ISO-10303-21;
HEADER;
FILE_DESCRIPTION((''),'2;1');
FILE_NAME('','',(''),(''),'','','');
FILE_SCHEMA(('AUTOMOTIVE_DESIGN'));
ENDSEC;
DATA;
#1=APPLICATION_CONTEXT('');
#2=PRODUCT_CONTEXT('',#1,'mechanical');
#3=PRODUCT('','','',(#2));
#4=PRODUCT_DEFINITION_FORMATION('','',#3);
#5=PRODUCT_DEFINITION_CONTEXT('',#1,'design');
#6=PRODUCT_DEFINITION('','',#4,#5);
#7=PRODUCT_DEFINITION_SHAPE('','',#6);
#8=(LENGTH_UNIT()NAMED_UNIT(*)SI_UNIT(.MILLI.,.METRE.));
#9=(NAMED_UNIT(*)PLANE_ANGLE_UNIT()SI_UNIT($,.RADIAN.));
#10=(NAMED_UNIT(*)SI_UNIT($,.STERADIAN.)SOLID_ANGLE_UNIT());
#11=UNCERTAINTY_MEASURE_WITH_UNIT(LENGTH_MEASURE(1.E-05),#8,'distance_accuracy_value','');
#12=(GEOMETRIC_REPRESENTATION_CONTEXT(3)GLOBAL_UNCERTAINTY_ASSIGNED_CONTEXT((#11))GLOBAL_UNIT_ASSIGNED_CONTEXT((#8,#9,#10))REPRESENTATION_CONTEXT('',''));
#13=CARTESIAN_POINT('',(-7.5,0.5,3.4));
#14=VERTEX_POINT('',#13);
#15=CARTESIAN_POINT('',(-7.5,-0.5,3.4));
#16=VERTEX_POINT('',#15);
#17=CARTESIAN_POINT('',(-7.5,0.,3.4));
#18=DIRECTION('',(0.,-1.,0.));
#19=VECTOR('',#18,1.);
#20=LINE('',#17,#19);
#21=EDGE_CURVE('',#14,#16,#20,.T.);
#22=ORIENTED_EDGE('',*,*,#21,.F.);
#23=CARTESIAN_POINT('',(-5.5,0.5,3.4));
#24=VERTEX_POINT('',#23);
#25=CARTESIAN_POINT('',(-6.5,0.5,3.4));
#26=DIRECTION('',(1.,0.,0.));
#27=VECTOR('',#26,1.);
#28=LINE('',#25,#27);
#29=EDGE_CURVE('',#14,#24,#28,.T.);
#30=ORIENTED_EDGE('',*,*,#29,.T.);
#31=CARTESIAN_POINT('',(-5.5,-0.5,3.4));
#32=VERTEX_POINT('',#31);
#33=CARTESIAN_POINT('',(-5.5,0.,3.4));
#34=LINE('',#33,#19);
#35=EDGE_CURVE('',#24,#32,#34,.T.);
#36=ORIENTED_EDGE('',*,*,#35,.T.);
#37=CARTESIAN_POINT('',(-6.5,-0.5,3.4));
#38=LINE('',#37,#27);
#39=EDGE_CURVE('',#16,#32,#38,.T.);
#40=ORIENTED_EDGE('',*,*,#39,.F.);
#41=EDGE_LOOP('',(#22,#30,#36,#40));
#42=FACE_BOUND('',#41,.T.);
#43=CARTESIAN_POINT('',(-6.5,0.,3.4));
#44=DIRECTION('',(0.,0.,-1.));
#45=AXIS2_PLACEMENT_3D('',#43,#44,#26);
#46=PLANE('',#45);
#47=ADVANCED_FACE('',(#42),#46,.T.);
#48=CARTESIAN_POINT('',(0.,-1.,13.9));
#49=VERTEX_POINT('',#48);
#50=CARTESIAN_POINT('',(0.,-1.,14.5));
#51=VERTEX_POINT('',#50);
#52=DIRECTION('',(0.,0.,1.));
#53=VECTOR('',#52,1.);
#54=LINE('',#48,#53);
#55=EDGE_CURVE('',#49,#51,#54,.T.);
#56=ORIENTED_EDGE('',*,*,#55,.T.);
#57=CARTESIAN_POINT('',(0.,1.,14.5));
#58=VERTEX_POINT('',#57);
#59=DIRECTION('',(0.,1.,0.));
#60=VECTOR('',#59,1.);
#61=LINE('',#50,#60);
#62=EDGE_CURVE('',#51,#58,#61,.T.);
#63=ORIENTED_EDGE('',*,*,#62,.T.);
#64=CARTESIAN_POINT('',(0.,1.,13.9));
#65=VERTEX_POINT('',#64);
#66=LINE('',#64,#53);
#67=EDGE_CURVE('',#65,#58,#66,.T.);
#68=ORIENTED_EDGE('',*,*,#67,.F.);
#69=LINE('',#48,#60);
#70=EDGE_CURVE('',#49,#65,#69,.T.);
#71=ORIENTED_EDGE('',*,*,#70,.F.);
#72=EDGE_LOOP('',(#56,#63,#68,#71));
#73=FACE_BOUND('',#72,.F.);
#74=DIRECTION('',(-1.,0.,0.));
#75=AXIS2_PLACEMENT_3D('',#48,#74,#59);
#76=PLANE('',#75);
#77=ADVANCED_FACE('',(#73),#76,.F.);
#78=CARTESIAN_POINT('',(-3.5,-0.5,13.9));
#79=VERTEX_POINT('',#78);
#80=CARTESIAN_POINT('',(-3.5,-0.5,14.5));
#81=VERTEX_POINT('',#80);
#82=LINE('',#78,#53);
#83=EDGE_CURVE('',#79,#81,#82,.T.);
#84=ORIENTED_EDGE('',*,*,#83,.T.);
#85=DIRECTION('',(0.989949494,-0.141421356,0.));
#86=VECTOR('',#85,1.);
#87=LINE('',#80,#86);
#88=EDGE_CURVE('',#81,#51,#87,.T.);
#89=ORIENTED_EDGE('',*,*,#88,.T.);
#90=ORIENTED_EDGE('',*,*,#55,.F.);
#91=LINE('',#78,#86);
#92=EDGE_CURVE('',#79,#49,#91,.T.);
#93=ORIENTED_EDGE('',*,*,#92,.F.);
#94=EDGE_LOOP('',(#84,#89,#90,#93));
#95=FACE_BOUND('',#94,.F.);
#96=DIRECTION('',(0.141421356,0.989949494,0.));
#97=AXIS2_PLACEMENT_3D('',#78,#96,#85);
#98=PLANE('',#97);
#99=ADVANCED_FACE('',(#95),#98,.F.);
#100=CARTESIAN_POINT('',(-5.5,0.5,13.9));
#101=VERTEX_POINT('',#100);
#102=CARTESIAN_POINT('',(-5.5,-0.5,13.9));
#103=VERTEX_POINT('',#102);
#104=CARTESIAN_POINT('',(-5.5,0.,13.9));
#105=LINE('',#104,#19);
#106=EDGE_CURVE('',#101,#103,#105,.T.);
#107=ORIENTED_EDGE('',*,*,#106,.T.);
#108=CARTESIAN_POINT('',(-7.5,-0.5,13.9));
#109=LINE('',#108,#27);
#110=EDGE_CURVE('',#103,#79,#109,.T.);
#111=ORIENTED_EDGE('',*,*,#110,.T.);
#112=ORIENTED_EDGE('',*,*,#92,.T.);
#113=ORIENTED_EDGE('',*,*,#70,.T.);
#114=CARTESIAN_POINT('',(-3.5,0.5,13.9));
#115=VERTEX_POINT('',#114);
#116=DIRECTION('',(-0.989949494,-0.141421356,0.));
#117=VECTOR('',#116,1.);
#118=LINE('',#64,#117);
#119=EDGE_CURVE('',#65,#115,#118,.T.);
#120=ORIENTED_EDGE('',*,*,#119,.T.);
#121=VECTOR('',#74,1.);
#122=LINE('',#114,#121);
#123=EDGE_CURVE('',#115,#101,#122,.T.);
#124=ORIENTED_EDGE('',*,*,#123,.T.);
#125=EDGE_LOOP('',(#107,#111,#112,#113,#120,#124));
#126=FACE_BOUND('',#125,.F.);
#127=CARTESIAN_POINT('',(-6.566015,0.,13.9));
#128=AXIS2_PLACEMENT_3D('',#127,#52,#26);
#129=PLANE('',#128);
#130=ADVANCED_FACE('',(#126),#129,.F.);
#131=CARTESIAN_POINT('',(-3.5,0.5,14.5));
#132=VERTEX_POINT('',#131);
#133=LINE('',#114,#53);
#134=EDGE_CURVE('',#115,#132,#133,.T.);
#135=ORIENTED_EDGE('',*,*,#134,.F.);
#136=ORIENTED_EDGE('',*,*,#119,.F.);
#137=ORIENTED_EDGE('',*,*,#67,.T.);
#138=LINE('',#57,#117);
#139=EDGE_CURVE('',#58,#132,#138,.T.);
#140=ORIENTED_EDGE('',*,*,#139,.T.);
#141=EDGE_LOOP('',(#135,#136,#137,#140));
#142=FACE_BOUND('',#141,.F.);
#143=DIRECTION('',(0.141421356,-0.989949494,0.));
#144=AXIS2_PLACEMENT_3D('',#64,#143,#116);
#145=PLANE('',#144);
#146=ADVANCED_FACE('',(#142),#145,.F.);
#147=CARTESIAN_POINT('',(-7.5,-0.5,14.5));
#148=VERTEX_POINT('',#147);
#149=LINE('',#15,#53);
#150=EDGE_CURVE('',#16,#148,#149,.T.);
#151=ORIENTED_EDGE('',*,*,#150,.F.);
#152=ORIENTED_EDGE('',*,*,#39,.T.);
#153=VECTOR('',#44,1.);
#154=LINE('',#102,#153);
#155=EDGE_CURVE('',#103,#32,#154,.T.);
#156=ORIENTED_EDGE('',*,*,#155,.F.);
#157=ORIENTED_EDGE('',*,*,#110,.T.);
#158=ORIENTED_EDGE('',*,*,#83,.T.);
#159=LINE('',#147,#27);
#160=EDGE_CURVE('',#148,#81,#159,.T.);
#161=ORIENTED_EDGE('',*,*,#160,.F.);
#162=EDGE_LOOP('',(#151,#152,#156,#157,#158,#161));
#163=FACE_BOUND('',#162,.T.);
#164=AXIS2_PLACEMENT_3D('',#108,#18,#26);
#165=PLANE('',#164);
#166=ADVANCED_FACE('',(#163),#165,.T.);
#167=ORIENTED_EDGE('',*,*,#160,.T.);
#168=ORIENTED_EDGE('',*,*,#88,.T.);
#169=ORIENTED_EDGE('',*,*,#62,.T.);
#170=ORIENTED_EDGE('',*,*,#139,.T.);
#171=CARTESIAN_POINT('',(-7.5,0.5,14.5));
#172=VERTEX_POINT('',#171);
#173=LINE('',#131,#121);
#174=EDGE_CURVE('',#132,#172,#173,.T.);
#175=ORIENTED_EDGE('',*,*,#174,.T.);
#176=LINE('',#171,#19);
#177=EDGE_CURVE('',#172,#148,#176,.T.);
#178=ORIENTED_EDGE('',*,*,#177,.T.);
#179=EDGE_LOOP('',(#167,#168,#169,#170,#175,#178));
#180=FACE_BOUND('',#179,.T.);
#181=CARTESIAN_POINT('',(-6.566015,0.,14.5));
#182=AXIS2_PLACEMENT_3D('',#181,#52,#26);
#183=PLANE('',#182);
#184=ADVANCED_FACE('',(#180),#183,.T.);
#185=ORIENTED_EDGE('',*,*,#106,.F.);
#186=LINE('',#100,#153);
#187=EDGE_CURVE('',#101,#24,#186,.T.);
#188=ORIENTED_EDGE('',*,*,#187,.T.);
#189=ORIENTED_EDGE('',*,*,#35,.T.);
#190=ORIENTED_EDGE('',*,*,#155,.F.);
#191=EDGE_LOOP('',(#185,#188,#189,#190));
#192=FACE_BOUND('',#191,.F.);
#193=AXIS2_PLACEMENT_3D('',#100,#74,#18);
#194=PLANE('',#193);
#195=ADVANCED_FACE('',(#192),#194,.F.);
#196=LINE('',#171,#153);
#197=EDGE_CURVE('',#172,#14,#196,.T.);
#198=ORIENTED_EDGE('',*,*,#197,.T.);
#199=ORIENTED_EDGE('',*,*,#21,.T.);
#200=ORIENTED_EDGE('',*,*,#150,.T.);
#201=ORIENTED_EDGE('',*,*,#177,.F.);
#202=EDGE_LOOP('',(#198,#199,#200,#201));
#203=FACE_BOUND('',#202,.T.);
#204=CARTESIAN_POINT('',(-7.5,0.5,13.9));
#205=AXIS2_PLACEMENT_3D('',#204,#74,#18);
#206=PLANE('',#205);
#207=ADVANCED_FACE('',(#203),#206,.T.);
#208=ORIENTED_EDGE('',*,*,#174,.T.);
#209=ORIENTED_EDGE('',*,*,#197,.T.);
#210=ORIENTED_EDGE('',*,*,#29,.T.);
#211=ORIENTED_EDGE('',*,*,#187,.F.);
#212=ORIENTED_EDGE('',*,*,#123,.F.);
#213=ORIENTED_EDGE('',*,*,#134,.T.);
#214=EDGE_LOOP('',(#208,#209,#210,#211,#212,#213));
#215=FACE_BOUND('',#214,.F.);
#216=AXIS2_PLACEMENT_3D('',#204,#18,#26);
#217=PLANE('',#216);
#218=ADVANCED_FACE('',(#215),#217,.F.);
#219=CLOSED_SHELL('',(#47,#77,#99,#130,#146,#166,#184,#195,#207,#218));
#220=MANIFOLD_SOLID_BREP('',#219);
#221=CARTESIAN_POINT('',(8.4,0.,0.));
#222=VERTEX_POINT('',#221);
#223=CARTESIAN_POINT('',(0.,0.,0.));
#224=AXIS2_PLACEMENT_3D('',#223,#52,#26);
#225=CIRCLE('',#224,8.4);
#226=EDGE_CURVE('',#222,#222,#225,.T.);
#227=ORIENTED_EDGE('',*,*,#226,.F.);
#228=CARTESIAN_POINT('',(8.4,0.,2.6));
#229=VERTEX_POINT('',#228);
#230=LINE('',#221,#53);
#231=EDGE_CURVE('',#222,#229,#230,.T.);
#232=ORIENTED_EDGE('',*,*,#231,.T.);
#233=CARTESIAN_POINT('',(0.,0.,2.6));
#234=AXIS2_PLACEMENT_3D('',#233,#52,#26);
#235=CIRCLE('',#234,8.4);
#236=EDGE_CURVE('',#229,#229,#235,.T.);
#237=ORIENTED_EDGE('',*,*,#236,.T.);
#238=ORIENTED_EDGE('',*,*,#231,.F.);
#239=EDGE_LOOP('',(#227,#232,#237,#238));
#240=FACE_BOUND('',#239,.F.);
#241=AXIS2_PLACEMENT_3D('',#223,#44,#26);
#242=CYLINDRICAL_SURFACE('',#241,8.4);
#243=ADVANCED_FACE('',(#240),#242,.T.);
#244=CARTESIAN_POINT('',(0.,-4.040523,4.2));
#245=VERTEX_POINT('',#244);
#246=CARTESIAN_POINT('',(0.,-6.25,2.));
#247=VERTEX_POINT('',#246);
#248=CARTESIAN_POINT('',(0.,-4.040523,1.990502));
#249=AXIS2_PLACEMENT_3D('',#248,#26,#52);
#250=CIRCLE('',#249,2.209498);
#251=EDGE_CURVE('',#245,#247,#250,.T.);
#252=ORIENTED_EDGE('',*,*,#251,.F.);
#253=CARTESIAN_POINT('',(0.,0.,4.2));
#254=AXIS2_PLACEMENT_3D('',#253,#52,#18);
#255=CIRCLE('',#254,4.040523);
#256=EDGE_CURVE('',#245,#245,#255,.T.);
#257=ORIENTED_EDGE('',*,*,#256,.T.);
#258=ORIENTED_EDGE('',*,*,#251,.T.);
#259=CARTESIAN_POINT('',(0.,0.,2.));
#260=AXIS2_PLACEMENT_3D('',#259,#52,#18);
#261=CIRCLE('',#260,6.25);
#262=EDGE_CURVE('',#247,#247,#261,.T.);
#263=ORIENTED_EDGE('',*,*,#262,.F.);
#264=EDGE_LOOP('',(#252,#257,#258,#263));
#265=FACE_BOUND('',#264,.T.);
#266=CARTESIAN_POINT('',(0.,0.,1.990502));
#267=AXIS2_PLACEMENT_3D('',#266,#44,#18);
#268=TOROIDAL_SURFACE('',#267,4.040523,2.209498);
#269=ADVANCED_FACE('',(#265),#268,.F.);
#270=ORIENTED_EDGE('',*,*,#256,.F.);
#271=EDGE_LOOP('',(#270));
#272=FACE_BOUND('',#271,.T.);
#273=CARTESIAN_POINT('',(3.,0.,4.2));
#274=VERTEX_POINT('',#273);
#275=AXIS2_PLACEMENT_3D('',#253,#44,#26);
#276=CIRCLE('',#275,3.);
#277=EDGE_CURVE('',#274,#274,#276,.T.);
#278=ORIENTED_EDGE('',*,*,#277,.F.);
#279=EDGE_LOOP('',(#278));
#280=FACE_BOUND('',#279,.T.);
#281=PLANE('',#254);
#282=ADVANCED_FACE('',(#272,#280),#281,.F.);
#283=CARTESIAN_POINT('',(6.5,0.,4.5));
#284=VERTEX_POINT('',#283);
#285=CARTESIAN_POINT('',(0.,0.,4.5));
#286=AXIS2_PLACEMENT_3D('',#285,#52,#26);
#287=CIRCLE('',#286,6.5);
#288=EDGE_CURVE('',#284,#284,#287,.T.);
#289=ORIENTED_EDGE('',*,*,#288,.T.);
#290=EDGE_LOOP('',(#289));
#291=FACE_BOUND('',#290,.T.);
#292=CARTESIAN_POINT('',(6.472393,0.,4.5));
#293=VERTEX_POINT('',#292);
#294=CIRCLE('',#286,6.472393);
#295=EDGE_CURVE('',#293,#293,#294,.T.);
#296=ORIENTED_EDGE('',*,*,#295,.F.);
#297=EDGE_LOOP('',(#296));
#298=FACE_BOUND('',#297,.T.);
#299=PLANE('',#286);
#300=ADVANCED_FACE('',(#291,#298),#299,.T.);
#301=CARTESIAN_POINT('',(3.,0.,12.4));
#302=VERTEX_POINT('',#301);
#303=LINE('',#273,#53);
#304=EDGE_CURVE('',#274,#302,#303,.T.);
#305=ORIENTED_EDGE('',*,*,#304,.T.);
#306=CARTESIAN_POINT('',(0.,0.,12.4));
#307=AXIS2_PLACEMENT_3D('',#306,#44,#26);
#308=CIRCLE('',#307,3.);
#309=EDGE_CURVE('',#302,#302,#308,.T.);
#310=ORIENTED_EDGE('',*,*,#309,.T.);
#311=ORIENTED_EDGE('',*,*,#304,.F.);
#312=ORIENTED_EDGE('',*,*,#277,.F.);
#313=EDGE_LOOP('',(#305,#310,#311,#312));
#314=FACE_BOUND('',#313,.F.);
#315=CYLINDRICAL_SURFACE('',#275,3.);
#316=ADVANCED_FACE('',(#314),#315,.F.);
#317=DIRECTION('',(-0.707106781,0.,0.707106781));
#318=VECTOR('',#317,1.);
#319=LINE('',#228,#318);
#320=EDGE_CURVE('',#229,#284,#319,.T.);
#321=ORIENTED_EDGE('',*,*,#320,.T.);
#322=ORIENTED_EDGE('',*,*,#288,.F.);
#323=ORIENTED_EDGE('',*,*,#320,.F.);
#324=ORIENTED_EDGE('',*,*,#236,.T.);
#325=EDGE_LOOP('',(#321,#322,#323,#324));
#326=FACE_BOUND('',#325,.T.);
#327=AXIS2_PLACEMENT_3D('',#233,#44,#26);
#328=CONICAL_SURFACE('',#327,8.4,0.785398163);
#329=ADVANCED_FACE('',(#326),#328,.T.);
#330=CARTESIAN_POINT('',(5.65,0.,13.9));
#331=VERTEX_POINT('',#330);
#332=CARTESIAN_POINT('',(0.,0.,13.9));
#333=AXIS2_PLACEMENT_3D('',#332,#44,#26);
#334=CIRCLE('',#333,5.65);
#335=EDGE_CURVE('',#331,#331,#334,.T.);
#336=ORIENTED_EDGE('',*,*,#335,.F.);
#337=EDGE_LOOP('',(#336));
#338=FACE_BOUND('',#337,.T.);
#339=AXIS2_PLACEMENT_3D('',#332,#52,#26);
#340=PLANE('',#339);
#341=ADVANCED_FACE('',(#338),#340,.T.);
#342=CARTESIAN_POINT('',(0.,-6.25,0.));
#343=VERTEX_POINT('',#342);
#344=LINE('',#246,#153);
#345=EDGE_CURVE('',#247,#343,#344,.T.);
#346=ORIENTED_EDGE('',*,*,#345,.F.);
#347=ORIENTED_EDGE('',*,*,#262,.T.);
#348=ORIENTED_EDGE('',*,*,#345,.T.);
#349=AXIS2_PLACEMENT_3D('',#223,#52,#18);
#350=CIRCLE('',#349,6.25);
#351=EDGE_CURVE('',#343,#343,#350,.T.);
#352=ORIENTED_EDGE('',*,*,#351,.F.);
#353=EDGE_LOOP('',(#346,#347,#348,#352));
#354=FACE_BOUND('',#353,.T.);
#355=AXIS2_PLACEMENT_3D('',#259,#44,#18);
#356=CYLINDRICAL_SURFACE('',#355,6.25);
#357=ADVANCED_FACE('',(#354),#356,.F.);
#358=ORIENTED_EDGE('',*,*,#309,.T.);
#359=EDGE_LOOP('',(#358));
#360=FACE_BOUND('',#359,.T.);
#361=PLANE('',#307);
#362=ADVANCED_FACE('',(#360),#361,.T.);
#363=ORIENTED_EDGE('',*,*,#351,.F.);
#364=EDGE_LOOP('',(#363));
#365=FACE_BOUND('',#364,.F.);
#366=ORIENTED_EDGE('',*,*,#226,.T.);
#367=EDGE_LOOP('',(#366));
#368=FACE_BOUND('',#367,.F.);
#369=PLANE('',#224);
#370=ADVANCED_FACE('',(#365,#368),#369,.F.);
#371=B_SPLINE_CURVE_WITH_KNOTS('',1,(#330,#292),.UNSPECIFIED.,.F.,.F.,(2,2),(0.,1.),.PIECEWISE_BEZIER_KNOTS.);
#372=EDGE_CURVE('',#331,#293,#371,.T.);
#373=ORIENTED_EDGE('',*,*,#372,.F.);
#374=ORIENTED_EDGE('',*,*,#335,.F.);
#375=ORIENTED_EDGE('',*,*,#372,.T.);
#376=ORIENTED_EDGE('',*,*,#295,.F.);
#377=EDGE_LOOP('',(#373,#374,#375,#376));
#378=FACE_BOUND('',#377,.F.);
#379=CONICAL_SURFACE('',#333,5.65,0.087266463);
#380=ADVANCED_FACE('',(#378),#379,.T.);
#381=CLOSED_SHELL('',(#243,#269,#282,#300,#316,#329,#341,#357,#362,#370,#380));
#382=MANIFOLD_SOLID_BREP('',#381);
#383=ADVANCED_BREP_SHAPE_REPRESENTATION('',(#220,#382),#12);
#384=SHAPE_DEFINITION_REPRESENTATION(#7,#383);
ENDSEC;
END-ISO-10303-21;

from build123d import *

# Parameters (mm, degrees)
F0_R      = 8.4
F1_DEPTH  = 4.5
F3_R      = 5.65
F4_DEPTH  = 9.4
F4_TAPER  = -5
F5_SIZE   = 1.9
F7_DEPTH  = 0.6
F8_W      = 2
F8_H      = 1
F9_DEPTH  = 10.5
F12_R     = 3
F13_DEPTH = 8.2


with BuildPart() as f1:
    # F0 (on Top) → F1 (new body)
    with BuildSketch(Plane.XY):
        Circle(F0_R)
    extrude(amount=F1_DEPTH)

    # F3 (on offset) → F4 (join, through all)
    with BuildSketch(Plane.XY.offset(13.9)):
        Circle(F3_R)
    extrude(amount=-F4_DEPTH, taper=F4_TAPER)

    # F5
    f5_edges = [f1.edges().sort_by_distance(p)[0] for p in [
        (-8.4, 0, 4.5),
    ]]
    chamfer(f5_edges, length=F5_SIZE)

    # F10 (on Right) → F11 (revolve, cut)
    with BuildSketch(Plane.YZ):
        with BuildLine():
            Line((-6.25, 2), (-6.25, 0))
            Line((-6.25, 0), (0, 0))
            Line((0, 0), (0, 4.2))
            Line((0, 4.2), (-4.0405227408, 4.2))
            ThreePointArc((-4.0405227408, 4.2), (-5.5995119774, 3.5562074482), (-6.25, 2))
        make_face()
    revolve(axis=Axis((0, 0, 2.1), (0, 0, 1)), mode=Mode.SUBTRACT)

    # F12 (on face) → F13 (cut)
    with BuildSketch(Plane(origin=(0, 0, 4.2), x_dir=(1, 0, 0), z_dir=(0, 0, -1))):
        Circle(F12_R)
    extrude(amount=-F13_DEPTH, mode=Mode.SUBTRACT)


with BuildPart() as f7:
    # F6 (on face) → F7 (new body)
    with BuildSketch(Plane.XY.offset(13.9)):
        with BuildLine():
            ThreePointArc((-5.6278326201, -0.5), (-5.65, 0), (-5.6278326201, 0.5))
            Line((-5.6278326201, 0.5), (-7.5, 0.5))
            Line((-7.5, 0.5), (-7.5, -0.5))
            Line((-7.5, -0.5), (-5.6278326201, -0.5))
        make_face()
        with BuildLine():
            Line((0, -1), (0, 1))
            Line((0, 1), (-3.5, 0.5))
            Line((-3.5, 0.5), (-5.6278326201, 0.5))
            ThreePointArc((-5.6278326201, 0.5), (-5.65, 0), (-5.6278326201, -0.5))
            Line((-5.6278326201, -0.5), (-3.5, -0.5))
            Line((-3.5, -0.5), (0, -1))
        make_face()
    extrude(amount=F7_DEPTH)

    # F8 (on face) → F9 (join)
    with BuildSketch(Plane(origin=(0, 0, 13.9), x_dir=(1, 0, 0), z_dir=(0, 0, -1))):
        with Locations((-6.5, 0)):
            Rectangle(F8_W, F8_H)
    extrude(amount=F9_DEPTH)


solid = Compound([f1.part, f7.part])
